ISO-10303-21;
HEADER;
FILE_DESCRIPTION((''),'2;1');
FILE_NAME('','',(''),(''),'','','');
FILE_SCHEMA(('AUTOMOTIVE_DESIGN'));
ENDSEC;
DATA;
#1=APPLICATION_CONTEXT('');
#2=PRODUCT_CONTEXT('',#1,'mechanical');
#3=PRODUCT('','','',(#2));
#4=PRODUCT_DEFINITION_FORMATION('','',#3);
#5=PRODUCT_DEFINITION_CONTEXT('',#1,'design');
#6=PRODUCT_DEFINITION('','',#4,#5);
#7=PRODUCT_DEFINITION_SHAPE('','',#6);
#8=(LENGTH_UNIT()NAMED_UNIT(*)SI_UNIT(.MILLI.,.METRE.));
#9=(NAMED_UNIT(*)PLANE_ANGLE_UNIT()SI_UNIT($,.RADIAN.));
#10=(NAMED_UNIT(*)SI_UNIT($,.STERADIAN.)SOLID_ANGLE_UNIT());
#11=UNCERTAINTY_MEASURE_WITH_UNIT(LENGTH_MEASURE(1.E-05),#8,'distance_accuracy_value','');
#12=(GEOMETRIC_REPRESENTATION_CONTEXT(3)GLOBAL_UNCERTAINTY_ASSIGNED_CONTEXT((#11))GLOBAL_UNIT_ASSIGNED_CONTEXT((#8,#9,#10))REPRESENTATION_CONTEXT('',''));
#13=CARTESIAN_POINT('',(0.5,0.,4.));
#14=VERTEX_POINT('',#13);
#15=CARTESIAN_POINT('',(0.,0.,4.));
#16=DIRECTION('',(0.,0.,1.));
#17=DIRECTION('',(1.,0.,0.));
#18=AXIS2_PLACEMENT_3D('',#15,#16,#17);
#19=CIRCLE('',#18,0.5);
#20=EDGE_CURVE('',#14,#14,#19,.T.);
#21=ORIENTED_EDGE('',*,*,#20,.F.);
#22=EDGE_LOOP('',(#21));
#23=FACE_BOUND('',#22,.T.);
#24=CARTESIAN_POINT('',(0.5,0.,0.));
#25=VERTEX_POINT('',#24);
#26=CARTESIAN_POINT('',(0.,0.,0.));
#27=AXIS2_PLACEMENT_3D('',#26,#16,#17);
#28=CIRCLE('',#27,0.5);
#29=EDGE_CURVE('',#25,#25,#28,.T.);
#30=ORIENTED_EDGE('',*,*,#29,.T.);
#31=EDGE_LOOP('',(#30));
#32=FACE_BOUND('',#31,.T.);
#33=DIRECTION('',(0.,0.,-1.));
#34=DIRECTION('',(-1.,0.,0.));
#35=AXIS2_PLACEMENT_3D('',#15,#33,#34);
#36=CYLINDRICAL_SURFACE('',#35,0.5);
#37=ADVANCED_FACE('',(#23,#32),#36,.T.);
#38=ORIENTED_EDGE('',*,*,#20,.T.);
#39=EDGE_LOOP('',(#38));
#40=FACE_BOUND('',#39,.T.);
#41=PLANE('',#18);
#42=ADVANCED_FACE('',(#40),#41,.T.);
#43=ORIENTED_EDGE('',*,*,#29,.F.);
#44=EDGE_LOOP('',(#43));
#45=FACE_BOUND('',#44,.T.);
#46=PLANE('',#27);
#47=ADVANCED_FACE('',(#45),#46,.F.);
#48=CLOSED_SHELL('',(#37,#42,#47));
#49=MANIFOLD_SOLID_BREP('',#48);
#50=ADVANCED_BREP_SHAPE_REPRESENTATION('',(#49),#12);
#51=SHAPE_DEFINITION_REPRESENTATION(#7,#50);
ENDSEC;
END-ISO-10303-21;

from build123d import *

# Parameters (mm, degrees)
ESQUISSE1_R        = 0.5
BOSS_EXTRU_1_DEPTH = 4


with BuildPart() as part:
    # Esquisse1 → Boss.-Extru.1 (new body)
    with BuildSketch(Plane.XY):
        Circle(ESQUISSE1_R)
    extrude(amount=BOSS_EXTRU_1_DEPTH)


solid = part.part
